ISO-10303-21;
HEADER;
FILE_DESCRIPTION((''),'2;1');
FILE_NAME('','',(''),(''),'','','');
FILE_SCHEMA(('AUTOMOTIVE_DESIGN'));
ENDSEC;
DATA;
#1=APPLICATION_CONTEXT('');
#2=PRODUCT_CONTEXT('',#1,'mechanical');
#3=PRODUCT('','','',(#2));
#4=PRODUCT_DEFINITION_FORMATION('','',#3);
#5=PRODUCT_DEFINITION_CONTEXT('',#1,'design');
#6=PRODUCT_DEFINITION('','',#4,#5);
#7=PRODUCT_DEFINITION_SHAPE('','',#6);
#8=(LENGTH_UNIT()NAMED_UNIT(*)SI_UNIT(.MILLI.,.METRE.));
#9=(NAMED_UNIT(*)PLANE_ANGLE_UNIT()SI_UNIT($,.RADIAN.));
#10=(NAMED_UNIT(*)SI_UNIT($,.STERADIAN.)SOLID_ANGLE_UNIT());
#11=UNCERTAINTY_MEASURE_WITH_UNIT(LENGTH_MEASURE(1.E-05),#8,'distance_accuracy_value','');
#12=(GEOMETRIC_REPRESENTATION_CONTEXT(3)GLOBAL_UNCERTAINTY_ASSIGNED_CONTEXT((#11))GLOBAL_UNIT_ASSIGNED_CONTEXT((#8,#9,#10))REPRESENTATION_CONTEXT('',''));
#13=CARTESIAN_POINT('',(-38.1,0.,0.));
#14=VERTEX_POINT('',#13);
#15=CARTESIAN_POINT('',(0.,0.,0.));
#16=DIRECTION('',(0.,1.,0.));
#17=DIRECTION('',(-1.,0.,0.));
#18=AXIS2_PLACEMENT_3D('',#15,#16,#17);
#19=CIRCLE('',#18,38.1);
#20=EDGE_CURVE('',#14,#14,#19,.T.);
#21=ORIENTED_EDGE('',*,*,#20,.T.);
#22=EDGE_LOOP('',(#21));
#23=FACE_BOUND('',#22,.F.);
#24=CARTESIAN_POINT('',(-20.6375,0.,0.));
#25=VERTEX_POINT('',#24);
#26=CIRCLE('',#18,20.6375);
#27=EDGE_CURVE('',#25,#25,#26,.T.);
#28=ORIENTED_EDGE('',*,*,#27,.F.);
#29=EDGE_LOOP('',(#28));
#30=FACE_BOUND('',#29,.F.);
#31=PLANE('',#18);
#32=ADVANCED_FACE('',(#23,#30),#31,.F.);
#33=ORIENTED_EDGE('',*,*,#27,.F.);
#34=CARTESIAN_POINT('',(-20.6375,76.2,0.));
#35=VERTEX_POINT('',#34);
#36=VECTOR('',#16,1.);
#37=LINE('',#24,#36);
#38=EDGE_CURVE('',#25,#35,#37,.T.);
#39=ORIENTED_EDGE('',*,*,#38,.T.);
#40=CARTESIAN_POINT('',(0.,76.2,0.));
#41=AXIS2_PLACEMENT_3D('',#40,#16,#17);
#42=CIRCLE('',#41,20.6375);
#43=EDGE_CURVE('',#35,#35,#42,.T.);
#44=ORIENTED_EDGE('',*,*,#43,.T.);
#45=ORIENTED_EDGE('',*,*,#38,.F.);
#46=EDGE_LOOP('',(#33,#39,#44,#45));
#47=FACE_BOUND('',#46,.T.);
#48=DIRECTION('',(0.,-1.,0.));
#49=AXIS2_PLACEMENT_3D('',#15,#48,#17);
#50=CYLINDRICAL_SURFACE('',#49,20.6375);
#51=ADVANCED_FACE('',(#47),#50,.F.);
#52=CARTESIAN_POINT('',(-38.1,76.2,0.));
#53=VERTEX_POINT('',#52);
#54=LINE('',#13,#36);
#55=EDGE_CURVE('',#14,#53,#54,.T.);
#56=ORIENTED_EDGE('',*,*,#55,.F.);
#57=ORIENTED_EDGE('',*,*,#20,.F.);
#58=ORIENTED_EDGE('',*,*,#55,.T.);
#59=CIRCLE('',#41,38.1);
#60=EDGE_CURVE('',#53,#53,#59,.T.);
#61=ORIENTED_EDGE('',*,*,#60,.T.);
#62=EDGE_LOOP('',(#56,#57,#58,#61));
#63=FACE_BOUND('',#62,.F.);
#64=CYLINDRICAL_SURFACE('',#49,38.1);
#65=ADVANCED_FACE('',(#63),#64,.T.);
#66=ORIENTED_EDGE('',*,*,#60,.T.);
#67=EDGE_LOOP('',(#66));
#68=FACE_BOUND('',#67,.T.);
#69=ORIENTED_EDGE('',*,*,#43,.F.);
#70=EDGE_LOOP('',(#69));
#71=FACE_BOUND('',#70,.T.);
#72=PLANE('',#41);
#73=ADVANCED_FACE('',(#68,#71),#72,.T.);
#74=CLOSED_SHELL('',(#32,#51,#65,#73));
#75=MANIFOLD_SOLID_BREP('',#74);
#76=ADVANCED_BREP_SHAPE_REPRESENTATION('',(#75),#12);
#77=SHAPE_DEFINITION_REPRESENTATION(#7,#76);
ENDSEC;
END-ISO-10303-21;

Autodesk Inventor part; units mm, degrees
ref_plane "YZ Plane" through (0, 0, 0) normal (1, 0, 0) x (0, 1, 0)
ref_plane "XZ Plane" through (0, 0, 0) normal (0, 1, 0) x (-1, 0, 0)
ref_plane "XY Plane" through (0, 0, 0) normal (0, 0, 1) x (1, 0, 0)
sketch "Sketch1" plane through (0, 0, 0) normal (0, 1, 0) x (-1, 0, 0)
  circle A0 centre (0, 0) radius 38.1
  circle A1 centre (0, 0) radius 20.6375
  dimension "d0" = 76.2
  dimension "d10" = 41.275
extrude "Extrusion2" add sketch "Sketch1" along normal blind 76.2
sketch "Sketch6" plane through (0, 0, 0) normal (1, 0, 0) x (0, 1, 0)
  line L0 (76.2, -20.6375) -> (0, -20.6375) projected
  line L1 (76.2, 20.6375) -> (76.2, -20.6375) projected
  line L2 (76.2, -20.6375) -> (82.6905, -31.8794)
  line L3 (82.6905, -31.8794) -> (89.181, -20.6375)
  line L4 (89.181, -20.6375) -> (76.2, -20.6375)
  line L5 (76.2, -38.1) -> (76.2, 38.1) projected
  point P0 (0, 0)
  dimension "d31" = 60
properties part number "outerShell"
